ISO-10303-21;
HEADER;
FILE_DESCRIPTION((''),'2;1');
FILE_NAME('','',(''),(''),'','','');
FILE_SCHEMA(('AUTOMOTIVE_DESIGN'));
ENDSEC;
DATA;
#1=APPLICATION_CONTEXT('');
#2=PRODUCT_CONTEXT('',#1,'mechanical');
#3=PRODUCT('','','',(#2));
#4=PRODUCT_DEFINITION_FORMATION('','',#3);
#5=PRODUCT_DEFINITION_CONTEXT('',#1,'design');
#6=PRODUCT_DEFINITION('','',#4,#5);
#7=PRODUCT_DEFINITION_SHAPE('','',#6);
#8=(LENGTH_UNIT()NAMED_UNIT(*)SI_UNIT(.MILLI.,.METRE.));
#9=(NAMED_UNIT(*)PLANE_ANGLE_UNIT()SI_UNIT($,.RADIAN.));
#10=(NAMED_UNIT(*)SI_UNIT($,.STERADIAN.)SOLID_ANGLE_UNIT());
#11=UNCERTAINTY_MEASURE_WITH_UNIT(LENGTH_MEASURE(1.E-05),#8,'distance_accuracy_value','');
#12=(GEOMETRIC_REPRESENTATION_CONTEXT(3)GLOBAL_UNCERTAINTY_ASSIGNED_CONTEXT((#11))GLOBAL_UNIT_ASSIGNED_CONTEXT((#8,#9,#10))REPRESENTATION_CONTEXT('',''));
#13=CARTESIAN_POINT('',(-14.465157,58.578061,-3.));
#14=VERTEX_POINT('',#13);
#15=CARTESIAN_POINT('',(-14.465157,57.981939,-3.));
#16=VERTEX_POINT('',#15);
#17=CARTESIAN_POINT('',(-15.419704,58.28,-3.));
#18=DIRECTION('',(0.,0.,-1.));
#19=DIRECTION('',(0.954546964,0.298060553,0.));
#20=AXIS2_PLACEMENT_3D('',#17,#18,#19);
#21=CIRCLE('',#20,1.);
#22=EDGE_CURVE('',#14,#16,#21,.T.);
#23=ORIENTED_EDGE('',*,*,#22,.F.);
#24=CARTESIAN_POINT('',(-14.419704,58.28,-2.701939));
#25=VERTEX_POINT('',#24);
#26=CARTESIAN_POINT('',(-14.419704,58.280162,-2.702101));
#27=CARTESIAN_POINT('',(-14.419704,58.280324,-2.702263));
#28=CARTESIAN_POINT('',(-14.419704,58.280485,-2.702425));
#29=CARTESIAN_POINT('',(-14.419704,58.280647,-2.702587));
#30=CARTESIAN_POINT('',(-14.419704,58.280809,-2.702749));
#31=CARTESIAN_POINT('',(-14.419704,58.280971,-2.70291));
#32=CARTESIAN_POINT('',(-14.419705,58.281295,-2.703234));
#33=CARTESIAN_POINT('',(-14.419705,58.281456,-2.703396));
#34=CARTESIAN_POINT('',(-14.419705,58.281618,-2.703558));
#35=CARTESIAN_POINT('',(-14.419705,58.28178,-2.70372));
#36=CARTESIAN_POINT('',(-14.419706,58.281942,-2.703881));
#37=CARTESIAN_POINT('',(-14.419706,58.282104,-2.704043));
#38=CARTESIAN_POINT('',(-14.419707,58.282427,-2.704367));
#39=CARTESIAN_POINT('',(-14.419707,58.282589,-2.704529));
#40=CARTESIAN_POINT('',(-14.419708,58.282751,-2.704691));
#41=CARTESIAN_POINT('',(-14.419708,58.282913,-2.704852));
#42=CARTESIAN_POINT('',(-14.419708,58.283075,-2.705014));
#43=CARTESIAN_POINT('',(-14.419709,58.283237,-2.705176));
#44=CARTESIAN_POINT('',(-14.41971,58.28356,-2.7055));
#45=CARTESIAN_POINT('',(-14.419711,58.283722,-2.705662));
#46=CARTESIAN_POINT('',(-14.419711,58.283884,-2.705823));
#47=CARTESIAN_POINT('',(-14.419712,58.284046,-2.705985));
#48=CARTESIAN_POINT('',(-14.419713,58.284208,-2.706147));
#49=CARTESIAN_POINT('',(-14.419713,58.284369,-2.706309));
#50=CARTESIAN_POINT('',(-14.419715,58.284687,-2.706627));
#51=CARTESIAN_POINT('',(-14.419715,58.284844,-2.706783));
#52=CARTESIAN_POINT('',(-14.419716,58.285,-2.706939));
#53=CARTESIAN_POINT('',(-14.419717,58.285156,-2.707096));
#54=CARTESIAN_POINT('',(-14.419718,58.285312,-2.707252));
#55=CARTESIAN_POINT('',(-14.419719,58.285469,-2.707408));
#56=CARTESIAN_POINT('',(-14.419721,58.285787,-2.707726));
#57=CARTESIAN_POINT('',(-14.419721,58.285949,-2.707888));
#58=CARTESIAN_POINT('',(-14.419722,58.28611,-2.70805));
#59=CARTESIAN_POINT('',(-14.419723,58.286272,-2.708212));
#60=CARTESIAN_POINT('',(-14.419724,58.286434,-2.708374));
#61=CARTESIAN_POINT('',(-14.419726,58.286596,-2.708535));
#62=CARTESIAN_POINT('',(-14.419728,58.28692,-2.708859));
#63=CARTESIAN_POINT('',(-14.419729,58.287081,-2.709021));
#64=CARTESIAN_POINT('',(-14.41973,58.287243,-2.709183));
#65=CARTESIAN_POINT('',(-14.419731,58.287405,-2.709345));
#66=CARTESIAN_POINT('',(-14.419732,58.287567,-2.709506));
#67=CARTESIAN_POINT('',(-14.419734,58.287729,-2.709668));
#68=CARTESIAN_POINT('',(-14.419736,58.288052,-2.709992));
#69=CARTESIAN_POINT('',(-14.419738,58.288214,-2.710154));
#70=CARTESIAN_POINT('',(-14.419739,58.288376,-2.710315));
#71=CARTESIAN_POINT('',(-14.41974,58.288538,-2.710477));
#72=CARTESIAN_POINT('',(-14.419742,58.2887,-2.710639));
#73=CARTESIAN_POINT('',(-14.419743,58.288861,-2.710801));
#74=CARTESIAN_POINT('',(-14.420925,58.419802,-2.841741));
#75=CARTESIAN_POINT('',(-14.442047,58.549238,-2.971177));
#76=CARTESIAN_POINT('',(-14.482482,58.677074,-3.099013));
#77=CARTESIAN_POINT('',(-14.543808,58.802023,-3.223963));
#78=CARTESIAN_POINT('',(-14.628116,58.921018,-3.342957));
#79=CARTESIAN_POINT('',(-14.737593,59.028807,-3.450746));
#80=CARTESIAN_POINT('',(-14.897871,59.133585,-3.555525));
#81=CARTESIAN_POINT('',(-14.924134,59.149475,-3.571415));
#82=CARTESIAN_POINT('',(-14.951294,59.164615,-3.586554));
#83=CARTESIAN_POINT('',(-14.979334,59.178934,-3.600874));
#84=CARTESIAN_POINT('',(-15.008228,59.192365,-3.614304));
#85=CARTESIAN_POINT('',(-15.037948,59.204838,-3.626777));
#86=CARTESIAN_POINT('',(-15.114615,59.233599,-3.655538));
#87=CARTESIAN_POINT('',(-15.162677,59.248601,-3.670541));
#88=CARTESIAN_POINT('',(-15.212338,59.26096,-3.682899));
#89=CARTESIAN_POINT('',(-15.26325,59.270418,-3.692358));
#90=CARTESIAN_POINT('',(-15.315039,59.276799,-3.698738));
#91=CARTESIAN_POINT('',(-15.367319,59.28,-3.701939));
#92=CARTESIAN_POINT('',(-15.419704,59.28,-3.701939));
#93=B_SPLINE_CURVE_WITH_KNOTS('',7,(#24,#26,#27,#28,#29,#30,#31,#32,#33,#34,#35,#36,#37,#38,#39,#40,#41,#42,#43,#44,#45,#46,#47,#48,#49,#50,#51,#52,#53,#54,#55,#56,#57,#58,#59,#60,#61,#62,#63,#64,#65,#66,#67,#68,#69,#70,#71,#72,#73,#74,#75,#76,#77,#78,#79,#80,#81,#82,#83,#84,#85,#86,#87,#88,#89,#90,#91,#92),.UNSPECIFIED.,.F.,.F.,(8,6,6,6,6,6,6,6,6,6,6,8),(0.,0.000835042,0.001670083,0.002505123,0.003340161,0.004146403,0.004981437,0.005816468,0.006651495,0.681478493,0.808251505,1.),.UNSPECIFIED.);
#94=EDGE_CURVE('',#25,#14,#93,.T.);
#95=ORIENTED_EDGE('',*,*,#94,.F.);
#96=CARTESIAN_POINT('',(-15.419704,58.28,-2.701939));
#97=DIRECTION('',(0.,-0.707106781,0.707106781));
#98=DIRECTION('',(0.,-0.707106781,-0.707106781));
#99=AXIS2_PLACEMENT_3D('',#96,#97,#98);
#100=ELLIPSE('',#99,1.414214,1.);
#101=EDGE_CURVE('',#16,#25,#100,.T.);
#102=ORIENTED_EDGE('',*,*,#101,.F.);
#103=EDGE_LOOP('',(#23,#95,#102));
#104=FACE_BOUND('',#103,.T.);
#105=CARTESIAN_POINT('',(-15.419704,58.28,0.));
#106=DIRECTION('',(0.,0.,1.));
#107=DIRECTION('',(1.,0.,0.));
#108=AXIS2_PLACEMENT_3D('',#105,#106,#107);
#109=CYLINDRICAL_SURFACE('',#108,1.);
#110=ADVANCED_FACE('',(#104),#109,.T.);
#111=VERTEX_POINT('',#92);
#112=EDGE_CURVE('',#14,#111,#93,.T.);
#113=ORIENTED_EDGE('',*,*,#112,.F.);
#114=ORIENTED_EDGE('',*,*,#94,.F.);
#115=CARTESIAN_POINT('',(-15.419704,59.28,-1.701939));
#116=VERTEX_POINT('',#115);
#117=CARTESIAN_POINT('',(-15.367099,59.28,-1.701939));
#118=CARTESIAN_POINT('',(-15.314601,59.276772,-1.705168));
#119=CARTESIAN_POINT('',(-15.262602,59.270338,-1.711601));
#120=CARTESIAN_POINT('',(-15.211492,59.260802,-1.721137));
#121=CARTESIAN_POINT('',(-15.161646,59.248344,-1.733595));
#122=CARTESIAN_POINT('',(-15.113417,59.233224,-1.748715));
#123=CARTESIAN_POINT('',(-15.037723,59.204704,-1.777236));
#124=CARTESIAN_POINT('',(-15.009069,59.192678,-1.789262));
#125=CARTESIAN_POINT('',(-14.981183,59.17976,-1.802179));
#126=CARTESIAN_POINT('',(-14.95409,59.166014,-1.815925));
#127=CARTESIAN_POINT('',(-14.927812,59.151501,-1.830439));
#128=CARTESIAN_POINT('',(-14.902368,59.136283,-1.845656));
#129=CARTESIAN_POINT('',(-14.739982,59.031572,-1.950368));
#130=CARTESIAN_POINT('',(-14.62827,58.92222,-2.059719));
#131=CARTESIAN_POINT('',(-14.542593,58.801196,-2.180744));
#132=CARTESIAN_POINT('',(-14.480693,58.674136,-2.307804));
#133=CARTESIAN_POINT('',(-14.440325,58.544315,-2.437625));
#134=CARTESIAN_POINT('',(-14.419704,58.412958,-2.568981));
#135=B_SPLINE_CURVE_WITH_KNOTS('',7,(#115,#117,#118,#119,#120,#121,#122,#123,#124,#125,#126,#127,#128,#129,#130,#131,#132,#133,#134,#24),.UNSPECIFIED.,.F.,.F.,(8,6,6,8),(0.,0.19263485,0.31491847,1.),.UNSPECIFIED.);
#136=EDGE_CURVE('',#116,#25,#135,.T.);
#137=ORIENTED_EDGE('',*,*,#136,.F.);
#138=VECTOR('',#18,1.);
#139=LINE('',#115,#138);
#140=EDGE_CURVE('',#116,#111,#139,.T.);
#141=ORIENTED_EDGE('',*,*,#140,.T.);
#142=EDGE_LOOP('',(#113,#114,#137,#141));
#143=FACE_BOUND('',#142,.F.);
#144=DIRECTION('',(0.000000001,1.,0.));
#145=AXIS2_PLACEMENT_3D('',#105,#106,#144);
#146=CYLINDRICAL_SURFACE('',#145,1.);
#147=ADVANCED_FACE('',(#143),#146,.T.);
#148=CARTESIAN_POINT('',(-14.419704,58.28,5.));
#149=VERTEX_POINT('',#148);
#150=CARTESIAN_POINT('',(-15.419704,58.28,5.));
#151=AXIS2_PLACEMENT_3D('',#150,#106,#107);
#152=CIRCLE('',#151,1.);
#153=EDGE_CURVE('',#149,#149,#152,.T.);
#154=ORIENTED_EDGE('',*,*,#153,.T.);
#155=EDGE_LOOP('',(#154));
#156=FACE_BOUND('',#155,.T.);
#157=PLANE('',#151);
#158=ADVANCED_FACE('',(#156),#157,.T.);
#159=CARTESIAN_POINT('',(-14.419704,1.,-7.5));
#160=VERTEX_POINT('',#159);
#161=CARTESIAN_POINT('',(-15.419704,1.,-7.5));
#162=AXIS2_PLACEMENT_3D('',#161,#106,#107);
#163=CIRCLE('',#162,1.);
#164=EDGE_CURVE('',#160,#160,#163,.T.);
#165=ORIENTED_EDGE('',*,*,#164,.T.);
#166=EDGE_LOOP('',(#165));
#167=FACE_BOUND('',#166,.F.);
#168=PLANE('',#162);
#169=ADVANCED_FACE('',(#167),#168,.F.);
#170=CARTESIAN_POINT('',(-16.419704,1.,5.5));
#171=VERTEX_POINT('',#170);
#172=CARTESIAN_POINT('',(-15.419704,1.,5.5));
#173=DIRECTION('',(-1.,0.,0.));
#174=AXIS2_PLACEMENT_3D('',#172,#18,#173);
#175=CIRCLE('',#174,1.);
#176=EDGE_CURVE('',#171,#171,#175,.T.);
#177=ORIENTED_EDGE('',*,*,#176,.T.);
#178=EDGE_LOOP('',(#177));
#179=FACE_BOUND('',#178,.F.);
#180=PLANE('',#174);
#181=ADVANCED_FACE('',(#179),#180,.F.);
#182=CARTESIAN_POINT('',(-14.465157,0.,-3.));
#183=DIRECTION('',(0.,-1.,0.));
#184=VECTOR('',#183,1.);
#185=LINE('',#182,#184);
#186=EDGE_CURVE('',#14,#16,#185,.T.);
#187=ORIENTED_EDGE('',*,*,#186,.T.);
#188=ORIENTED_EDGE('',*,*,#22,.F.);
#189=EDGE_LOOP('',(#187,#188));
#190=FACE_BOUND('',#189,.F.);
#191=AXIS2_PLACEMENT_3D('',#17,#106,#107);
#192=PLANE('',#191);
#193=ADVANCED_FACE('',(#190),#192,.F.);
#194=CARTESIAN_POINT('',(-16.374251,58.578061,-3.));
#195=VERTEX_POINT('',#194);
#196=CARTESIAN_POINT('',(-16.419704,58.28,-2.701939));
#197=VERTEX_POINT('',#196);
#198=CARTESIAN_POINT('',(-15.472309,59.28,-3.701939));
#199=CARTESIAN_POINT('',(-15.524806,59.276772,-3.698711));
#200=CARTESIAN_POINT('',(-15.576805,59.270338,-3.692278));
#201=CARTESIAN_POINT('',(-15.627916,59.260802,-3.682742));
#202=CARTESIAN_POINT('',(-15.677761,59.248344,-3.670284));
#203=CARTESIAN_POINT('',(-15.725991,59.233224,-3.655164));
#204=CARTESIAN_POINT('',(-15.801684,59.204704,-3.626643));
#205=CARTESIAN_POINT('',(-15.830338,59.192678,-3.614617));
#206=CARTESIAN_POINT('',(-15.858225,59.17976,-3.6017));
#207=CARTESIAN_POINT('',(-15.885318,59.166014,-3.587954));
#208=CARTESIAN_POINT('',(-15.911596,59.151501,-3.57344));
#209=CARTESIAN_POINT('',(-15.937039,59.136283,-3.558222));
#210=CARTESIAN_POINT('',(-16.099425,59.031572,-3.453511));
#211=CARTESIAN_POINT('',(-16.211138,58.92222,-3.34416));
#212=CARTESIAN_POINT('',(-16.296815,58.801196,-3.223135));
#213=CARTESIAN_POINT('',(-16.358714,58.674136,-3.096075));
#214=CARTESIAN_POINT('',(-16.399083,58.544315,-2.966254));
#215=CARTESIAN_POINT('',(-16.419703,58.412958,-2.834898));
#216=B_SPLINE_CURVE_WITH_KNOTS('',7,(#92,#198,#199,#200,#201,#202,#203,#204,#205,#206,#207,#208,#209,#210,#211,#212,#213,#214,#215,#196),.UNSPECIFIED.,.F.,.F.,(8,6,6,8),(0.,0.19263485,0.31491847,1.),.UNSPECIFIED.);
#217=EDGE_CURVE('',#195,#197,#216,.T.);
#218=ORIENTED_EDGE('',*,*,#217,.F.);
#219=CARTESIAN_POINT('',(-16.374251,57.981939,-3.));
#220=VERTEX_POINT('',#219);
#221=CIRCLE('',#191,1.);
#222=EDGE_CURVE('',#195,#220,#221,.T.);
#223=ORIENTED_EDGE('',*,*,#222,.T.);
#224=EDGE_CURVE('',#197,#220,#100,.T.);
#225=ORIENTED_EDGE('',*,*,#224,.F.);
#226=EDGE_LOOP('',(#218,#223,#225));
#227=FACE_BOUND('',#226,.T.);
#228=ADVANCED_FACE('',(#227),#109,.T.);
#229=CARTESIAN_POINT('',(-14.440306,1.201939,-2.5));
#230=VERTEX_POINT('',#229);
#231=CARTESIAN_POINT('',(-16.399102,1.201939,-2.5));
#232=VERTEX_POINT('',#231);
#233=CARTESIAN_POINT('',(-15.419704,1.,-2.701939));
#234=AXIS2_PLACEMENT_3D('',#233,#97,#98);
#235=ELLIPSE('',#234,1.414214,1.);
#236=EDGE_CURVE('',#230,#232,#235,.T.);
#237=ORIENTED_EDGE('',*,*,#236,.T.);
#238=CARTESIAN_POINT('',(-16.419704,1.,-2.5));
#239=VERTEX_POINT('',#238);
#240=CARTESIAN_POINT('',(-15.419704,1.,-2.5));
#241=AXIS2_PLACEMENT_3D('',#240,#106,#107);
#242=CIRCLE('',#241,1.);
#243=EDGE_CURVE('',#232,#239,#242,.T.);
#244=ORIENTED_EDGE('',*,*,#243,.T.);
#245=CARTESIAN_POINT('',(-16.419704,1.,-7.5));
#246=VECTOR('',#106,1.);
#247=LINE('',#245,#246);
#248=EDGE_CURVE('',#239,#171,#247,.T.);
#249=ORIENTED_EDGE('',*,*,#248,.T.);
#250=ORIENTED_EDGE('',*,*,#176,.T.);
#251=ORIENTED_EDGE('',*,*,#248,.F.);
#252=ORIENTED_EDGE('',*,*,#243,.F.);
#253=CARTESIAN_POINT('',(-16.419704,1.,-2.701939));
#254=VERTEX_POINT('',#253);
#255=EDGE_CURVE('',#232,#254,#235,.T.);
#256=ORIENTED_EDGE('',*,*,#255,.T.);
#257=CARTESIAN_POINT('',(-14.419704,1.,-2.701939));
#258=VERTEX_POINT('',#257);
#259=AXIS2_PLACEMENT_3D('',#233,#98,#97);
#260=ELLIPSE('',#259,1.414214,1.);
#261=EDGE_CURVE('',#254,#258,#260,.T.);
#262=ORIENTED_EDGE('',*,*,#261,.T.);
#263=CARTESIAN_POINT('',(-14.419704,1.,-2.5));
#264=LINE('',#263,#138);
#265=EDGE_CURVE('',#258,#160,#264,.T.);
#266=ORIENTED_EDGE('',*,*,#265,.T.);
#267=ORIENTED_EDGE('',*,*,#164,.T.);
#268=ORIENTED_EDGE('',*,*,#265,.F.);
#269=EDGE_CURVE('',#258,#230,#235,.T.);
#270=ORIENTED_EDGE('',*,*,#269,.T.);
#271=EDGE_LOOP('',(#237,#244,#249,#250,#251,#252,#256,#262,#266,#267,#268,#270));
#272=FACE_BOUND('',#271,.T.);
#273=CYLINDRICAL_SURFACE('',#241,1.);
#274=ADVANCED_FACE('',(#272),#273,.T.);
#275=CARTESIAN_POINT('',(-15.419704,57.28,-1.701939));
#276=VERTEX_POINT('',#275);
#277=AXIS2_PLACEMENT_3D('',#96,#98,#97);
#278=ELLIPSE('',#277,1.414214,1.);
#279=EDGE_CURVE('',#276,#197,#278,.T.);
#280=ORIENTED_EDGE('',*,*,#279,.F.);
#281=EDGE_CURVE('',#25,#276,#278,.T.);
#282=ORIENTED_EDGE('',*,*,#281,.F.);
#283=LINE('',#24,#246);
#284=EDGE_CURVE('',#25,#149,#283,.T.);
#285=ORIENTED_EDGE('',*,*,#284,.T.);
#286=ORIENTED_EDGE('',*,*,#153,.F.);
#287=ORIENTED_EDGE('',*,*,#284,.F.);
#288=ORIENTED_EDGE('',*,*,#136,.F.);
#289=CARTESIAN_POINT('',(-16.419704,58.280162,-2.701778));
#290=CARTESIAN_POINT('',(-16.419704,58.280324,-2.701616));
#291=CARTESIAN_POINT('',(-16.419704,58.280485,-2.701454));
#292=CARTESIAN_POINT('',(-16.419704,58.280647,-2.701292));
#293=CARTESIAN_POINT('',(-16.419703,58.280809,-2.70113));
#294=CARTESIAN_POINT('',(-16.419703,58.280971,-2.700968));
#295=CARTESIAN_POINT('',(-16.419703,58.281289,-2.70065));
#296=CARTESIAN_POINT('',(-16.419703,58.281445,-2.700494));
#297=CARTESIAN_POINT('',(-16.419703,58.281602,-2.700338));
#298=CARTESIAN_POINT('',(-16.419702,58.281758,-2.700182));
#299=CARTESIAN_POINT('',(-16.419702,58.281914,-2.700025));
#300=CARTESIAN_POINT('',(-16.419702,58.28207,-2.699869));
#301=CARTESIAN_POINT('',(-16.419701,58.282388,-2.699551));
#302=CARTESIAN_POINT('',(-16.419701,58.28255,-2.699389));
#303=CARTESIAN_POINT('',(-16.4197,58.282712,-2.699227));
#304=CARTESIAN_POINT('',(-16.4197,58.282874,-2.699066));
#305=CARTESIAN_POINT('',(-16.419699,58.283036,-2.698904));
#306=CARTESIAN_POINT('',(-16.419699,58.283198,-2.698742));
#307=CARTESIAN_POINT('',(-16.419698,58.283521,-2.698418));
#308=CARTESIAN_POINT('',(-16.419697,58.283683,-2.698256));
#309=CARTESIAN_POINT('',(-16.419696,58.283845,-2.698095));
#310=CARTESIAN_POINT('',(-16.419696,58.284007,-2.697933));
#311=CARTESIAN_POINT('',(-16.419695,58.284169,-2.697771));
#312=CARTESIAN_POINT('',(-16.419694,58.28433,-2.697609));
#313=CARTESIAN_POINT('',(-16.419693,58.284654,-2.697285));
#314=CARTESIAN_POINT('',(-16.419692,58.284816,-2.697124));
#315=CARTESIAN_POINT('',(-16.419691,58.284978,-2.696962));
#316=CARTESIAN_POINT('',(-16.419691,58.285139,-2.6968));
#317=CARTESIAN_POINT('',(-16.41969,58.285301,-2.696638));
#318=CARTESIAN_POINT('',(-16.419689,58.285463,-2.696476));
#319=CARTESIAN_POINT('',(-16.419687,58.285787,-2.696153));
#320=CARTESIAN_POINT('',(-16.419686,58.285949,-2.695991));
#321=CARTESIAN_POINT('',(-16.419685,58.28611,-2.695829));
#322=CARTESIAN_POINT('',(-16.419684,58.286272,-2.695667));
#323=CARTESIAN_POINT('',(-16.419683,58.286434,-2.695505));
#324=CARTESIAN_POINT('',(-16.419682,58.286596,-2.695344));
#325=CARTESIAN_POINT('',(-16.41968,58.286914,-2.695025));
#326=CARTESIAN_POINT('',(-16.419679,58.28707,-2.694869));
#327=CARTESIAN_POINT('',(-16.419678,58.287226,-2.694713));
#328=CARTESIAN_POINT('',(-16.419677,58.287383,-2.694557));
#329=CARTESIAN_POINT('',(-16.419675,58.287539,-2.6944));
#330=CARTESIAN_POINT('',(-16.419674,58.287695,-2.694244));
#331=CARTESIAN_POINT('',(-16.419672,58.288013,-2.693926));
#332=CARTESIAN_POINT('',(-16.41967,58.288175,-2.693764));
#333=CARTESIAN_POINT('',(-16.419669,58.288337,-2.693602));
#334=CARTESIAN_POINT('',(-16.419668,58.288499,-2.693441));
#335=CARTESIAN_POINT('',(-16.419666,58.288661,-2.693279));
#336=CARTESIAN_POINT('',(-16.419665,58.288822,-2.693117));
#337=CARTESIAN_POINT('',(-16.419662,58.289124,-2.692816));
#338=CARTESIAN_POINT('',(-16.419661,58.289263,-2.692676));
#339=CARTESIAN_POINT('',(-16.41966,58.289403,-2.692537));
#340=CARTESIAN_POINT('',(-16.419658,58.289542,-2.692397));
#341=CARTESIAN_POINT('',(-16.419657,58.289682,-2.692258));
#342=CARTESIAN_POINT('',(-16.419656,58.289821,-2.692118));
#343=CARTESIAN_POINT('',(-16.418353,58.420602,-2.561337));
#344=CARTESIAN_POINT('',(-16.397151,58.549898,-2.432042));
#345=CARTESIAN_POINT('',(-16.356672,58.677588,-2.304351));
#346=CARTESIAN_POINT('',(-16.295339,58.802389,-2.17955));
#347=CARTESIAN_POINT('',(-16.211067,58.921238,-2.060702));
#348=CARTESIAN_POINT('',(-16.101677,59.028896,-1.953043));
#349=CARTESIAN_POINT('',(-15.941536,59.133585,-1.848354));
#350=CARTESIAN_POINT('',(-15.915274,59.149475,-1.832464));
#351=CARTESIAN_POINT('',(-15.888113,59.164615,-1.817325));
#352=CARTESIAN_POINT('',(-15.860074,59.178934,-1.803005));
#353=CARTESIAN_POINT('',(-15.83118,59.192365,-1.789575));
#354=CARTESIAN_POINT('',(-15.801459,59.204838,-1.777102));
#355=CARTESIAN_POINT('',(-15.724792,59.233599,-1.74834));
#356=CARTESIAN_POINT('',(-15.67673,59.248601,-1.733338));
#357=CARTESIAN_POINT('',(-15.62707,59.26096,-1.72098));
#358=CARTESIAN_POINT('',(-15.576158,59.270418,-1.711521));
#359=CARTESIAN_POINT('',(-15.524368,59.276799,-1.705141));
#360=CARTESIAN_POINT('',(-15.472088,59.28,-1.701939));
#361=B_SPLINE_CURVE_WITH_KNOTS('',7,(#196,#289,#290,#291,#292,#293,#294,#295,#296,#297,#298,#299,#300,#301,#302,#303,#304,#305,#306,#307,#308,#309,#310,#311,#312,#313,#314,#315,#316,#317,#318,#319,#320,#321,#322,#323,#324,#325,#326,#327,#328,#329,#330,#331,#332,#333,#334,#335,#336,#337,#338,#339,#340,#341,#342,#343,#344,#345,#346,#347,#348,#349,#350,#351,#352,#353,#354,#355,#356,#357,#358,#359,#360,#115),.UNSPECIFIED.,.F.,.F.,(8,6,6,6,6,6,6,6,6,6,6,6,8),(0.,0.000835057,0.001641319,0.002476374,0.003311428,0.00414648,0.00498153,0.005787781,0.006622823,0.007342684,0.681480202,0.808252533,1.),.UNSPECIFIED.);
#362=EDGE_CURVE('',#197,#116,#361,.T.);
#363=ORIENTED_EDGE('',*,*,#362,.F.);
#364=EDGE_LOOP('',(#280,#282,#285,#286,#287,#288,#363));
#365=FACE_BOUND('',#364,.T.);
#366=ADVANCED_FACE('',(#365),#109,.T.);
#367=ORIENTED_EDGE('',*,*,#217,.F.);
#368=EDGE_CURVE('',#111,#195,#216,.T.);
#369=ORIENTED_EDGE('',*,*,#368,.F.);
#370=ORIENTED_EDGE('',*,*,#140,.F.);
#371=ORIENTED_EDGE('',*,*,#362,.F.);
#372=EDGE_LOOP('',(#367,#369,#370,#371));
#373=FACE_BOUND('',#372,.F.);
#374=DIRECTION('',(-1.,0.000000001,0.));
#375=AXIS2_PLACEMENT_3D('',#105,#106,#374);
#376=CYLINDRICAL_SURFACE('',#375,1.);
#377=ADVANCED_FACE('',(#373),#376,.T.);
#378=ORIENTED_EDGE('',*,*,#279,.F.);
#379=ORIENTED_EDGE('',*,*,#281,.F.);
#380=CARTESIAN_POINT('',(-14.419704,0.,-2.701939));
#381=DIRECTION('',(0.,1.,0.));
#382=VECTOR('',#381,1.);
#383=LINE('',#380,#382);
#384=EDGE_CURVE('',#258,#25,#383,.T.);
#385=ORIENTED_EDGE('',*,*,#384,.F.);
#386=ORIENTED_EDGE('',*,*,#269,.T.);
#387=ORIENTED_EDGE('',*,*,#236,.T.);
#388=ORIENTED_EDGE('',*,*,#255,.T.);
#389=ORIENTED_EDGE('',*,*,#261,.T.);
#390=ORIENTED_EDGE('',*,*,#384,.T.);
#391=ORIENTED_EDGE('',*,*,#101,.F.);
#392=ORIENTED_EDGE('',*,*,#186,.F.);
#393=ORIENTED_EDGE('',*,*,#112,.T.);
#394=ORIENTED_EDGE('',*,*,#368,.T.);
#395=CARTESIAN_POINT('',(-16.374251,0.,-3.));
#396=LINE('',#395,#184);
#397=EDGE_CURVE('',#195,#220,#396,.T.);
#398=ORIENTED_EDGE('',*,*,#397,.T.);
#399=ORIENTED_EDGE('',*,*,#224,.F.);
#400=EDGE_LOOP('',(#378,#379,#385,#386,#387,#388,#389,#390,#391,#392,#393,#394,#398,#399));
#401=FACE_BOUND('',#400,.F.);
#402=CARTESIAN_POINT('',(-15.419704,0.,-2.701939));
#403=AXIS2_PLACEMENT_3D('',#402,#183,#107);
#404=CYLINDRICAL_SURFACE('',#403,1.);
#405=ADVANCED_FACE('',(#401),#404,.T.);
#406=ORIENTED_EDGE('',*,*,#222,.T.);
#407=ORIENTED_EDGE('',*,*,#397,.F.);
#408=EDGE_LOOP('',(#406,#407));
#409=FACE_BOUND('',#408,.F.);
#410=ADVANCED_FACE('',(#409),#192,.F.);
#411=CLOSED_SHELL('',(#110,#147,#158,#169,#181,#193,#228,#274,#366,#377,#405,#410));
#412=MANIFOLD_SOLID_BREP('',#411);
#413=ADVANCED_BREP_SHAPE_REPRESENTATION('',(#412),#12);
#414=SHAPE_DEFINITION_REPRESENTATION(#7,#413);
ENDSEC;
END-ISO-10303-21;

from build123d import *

# Parameters (mm, degrees)
SKETCH1_R                = 1
BOSS_EXTRUDE1_DEPTH      = 59.28
CUT_EXTRUDE1_DEPTH       = 59.28
SKETCH3_R                = 1
BOSS_EXTRUDE2_DEPTH      = 5
BOSS_EXTRUDE2_DEPTH_BACK = 3
BOSS_EXTRUDE3_START      = -2.5
SKETCH4_R                = 1
BOSS_EXTRUDE3_DEPTH      = 5
CUT_EXTRUDE2_DEPTH       = 15
SKETCH6_R                = 1
BOSS_EXTRUDE4_DEPTH      = 13


with BuildPart() as part:
    # Sketch1 → Boss-Extrude1 (new body)
    with BuildSketch(Plane(origin=(0, 0, 0), x_dir=(1, 0, 0), z_dir=(0, 1, 0))):
        with Locations((-15.419703787, 2.701939454)):
            Circle(SKETCH1_R)
    extrude(amount=BOSS_EXTRUDE1_DEPTH)

    # Sketch2 → Cut-Extrude1 (cut)
    with BuildSketch(Plane.XY):
        with BuildLine():
            Line((-16.419703787, 59.28), (-16.419703787, 58.28))
            ThreePointArc((-16.419703787, 58.28), (-16.126810568, 58.987106781), (-15.419703787, 59.28))
            Line((-15.419703787, 59.28), (-16.419703787, 59.28))
        make_face()
        with BuildLine():
            ThreePointArc((-15.419703787, 59.28), (-14.712597006, 58.987106781), (-14.419703787, 58.28))
            Line((-14.419703787, 58.28), (-14.419703787, 59.28))
            Line((-14.419703787, 59.28), (-15.419703787, 59.28))
        make_face()
    extrude(amount=-CUT_EXTRUDE1_DEPTH, mode=Mode.SUBTRACT)

    # Sketch3 → Boss-Extrude2 (add, two sides)
    with BuildSketch(Plane.XY) as boss_extrude2_sk:
        with Locations((-15.419703787, 58.28)):
            Circle(SKETCH3_R)
    extrude(amount=BOSS_EXTRUDE2_DEPTH)
    extrude(boss_extrude2_sk.sketch, amount=-BOSS_EXTRUDE2_DEPTH_BACK)

    # Sketch4 → Boss-Extrude3 (add)
    with BuildSketch(Plane.XY.offset(BOSS_EXTRUDE3_START)):
        with Locations((-15.419703787, 1)):
            Circle(SKETCH4_R)
    extrude(amount=-BOSS_EXTRUDE3_DEPTH)

    # Sketch5 → Cut-Extrude2 (cut)
    with BuildSketch(Plane(origin=(0, 0, -7.5), x_dir=(-1, 0, 0), z_dir=(0, 0, -1))):
        with BuildLine():
            ThreePointArc((15.419703787, 0), (14.712597006, 0.292893219), (14.419703787, 1))
            Line((14.419703787, 1), (14.419703787, 0))
            Line((14.419703787, 0), (15.419703787, 0))
        make_face()
        with BuildLine():
            Line((16.419703787, 0), (16.419703787, 1))
            ThreePointArc((16.419703787, 1), (16.126810568, 0.292893219), (15.419703787, 0))
            Line((15.419703787, 0), (16.419703787, 0))
        make_face()
    extrude(amount=-CUT_EXTRUDE2_DEPTH, mode=Mode.SUBTRACT)

    # Sketch6 → Boss-Extrude4 (add)
    with BuildSketch(Plane(origin=(0, 0, -7.5), x_dir=(-1, 0, 0), z_dir=(0, 0, -1))):
        with Locations((15.419703787, 1)):
            Circle(SKETCH6_R)
    extrude(amount=-BOSS_EXTRUDE4_DEPTH)


solid = part.part
